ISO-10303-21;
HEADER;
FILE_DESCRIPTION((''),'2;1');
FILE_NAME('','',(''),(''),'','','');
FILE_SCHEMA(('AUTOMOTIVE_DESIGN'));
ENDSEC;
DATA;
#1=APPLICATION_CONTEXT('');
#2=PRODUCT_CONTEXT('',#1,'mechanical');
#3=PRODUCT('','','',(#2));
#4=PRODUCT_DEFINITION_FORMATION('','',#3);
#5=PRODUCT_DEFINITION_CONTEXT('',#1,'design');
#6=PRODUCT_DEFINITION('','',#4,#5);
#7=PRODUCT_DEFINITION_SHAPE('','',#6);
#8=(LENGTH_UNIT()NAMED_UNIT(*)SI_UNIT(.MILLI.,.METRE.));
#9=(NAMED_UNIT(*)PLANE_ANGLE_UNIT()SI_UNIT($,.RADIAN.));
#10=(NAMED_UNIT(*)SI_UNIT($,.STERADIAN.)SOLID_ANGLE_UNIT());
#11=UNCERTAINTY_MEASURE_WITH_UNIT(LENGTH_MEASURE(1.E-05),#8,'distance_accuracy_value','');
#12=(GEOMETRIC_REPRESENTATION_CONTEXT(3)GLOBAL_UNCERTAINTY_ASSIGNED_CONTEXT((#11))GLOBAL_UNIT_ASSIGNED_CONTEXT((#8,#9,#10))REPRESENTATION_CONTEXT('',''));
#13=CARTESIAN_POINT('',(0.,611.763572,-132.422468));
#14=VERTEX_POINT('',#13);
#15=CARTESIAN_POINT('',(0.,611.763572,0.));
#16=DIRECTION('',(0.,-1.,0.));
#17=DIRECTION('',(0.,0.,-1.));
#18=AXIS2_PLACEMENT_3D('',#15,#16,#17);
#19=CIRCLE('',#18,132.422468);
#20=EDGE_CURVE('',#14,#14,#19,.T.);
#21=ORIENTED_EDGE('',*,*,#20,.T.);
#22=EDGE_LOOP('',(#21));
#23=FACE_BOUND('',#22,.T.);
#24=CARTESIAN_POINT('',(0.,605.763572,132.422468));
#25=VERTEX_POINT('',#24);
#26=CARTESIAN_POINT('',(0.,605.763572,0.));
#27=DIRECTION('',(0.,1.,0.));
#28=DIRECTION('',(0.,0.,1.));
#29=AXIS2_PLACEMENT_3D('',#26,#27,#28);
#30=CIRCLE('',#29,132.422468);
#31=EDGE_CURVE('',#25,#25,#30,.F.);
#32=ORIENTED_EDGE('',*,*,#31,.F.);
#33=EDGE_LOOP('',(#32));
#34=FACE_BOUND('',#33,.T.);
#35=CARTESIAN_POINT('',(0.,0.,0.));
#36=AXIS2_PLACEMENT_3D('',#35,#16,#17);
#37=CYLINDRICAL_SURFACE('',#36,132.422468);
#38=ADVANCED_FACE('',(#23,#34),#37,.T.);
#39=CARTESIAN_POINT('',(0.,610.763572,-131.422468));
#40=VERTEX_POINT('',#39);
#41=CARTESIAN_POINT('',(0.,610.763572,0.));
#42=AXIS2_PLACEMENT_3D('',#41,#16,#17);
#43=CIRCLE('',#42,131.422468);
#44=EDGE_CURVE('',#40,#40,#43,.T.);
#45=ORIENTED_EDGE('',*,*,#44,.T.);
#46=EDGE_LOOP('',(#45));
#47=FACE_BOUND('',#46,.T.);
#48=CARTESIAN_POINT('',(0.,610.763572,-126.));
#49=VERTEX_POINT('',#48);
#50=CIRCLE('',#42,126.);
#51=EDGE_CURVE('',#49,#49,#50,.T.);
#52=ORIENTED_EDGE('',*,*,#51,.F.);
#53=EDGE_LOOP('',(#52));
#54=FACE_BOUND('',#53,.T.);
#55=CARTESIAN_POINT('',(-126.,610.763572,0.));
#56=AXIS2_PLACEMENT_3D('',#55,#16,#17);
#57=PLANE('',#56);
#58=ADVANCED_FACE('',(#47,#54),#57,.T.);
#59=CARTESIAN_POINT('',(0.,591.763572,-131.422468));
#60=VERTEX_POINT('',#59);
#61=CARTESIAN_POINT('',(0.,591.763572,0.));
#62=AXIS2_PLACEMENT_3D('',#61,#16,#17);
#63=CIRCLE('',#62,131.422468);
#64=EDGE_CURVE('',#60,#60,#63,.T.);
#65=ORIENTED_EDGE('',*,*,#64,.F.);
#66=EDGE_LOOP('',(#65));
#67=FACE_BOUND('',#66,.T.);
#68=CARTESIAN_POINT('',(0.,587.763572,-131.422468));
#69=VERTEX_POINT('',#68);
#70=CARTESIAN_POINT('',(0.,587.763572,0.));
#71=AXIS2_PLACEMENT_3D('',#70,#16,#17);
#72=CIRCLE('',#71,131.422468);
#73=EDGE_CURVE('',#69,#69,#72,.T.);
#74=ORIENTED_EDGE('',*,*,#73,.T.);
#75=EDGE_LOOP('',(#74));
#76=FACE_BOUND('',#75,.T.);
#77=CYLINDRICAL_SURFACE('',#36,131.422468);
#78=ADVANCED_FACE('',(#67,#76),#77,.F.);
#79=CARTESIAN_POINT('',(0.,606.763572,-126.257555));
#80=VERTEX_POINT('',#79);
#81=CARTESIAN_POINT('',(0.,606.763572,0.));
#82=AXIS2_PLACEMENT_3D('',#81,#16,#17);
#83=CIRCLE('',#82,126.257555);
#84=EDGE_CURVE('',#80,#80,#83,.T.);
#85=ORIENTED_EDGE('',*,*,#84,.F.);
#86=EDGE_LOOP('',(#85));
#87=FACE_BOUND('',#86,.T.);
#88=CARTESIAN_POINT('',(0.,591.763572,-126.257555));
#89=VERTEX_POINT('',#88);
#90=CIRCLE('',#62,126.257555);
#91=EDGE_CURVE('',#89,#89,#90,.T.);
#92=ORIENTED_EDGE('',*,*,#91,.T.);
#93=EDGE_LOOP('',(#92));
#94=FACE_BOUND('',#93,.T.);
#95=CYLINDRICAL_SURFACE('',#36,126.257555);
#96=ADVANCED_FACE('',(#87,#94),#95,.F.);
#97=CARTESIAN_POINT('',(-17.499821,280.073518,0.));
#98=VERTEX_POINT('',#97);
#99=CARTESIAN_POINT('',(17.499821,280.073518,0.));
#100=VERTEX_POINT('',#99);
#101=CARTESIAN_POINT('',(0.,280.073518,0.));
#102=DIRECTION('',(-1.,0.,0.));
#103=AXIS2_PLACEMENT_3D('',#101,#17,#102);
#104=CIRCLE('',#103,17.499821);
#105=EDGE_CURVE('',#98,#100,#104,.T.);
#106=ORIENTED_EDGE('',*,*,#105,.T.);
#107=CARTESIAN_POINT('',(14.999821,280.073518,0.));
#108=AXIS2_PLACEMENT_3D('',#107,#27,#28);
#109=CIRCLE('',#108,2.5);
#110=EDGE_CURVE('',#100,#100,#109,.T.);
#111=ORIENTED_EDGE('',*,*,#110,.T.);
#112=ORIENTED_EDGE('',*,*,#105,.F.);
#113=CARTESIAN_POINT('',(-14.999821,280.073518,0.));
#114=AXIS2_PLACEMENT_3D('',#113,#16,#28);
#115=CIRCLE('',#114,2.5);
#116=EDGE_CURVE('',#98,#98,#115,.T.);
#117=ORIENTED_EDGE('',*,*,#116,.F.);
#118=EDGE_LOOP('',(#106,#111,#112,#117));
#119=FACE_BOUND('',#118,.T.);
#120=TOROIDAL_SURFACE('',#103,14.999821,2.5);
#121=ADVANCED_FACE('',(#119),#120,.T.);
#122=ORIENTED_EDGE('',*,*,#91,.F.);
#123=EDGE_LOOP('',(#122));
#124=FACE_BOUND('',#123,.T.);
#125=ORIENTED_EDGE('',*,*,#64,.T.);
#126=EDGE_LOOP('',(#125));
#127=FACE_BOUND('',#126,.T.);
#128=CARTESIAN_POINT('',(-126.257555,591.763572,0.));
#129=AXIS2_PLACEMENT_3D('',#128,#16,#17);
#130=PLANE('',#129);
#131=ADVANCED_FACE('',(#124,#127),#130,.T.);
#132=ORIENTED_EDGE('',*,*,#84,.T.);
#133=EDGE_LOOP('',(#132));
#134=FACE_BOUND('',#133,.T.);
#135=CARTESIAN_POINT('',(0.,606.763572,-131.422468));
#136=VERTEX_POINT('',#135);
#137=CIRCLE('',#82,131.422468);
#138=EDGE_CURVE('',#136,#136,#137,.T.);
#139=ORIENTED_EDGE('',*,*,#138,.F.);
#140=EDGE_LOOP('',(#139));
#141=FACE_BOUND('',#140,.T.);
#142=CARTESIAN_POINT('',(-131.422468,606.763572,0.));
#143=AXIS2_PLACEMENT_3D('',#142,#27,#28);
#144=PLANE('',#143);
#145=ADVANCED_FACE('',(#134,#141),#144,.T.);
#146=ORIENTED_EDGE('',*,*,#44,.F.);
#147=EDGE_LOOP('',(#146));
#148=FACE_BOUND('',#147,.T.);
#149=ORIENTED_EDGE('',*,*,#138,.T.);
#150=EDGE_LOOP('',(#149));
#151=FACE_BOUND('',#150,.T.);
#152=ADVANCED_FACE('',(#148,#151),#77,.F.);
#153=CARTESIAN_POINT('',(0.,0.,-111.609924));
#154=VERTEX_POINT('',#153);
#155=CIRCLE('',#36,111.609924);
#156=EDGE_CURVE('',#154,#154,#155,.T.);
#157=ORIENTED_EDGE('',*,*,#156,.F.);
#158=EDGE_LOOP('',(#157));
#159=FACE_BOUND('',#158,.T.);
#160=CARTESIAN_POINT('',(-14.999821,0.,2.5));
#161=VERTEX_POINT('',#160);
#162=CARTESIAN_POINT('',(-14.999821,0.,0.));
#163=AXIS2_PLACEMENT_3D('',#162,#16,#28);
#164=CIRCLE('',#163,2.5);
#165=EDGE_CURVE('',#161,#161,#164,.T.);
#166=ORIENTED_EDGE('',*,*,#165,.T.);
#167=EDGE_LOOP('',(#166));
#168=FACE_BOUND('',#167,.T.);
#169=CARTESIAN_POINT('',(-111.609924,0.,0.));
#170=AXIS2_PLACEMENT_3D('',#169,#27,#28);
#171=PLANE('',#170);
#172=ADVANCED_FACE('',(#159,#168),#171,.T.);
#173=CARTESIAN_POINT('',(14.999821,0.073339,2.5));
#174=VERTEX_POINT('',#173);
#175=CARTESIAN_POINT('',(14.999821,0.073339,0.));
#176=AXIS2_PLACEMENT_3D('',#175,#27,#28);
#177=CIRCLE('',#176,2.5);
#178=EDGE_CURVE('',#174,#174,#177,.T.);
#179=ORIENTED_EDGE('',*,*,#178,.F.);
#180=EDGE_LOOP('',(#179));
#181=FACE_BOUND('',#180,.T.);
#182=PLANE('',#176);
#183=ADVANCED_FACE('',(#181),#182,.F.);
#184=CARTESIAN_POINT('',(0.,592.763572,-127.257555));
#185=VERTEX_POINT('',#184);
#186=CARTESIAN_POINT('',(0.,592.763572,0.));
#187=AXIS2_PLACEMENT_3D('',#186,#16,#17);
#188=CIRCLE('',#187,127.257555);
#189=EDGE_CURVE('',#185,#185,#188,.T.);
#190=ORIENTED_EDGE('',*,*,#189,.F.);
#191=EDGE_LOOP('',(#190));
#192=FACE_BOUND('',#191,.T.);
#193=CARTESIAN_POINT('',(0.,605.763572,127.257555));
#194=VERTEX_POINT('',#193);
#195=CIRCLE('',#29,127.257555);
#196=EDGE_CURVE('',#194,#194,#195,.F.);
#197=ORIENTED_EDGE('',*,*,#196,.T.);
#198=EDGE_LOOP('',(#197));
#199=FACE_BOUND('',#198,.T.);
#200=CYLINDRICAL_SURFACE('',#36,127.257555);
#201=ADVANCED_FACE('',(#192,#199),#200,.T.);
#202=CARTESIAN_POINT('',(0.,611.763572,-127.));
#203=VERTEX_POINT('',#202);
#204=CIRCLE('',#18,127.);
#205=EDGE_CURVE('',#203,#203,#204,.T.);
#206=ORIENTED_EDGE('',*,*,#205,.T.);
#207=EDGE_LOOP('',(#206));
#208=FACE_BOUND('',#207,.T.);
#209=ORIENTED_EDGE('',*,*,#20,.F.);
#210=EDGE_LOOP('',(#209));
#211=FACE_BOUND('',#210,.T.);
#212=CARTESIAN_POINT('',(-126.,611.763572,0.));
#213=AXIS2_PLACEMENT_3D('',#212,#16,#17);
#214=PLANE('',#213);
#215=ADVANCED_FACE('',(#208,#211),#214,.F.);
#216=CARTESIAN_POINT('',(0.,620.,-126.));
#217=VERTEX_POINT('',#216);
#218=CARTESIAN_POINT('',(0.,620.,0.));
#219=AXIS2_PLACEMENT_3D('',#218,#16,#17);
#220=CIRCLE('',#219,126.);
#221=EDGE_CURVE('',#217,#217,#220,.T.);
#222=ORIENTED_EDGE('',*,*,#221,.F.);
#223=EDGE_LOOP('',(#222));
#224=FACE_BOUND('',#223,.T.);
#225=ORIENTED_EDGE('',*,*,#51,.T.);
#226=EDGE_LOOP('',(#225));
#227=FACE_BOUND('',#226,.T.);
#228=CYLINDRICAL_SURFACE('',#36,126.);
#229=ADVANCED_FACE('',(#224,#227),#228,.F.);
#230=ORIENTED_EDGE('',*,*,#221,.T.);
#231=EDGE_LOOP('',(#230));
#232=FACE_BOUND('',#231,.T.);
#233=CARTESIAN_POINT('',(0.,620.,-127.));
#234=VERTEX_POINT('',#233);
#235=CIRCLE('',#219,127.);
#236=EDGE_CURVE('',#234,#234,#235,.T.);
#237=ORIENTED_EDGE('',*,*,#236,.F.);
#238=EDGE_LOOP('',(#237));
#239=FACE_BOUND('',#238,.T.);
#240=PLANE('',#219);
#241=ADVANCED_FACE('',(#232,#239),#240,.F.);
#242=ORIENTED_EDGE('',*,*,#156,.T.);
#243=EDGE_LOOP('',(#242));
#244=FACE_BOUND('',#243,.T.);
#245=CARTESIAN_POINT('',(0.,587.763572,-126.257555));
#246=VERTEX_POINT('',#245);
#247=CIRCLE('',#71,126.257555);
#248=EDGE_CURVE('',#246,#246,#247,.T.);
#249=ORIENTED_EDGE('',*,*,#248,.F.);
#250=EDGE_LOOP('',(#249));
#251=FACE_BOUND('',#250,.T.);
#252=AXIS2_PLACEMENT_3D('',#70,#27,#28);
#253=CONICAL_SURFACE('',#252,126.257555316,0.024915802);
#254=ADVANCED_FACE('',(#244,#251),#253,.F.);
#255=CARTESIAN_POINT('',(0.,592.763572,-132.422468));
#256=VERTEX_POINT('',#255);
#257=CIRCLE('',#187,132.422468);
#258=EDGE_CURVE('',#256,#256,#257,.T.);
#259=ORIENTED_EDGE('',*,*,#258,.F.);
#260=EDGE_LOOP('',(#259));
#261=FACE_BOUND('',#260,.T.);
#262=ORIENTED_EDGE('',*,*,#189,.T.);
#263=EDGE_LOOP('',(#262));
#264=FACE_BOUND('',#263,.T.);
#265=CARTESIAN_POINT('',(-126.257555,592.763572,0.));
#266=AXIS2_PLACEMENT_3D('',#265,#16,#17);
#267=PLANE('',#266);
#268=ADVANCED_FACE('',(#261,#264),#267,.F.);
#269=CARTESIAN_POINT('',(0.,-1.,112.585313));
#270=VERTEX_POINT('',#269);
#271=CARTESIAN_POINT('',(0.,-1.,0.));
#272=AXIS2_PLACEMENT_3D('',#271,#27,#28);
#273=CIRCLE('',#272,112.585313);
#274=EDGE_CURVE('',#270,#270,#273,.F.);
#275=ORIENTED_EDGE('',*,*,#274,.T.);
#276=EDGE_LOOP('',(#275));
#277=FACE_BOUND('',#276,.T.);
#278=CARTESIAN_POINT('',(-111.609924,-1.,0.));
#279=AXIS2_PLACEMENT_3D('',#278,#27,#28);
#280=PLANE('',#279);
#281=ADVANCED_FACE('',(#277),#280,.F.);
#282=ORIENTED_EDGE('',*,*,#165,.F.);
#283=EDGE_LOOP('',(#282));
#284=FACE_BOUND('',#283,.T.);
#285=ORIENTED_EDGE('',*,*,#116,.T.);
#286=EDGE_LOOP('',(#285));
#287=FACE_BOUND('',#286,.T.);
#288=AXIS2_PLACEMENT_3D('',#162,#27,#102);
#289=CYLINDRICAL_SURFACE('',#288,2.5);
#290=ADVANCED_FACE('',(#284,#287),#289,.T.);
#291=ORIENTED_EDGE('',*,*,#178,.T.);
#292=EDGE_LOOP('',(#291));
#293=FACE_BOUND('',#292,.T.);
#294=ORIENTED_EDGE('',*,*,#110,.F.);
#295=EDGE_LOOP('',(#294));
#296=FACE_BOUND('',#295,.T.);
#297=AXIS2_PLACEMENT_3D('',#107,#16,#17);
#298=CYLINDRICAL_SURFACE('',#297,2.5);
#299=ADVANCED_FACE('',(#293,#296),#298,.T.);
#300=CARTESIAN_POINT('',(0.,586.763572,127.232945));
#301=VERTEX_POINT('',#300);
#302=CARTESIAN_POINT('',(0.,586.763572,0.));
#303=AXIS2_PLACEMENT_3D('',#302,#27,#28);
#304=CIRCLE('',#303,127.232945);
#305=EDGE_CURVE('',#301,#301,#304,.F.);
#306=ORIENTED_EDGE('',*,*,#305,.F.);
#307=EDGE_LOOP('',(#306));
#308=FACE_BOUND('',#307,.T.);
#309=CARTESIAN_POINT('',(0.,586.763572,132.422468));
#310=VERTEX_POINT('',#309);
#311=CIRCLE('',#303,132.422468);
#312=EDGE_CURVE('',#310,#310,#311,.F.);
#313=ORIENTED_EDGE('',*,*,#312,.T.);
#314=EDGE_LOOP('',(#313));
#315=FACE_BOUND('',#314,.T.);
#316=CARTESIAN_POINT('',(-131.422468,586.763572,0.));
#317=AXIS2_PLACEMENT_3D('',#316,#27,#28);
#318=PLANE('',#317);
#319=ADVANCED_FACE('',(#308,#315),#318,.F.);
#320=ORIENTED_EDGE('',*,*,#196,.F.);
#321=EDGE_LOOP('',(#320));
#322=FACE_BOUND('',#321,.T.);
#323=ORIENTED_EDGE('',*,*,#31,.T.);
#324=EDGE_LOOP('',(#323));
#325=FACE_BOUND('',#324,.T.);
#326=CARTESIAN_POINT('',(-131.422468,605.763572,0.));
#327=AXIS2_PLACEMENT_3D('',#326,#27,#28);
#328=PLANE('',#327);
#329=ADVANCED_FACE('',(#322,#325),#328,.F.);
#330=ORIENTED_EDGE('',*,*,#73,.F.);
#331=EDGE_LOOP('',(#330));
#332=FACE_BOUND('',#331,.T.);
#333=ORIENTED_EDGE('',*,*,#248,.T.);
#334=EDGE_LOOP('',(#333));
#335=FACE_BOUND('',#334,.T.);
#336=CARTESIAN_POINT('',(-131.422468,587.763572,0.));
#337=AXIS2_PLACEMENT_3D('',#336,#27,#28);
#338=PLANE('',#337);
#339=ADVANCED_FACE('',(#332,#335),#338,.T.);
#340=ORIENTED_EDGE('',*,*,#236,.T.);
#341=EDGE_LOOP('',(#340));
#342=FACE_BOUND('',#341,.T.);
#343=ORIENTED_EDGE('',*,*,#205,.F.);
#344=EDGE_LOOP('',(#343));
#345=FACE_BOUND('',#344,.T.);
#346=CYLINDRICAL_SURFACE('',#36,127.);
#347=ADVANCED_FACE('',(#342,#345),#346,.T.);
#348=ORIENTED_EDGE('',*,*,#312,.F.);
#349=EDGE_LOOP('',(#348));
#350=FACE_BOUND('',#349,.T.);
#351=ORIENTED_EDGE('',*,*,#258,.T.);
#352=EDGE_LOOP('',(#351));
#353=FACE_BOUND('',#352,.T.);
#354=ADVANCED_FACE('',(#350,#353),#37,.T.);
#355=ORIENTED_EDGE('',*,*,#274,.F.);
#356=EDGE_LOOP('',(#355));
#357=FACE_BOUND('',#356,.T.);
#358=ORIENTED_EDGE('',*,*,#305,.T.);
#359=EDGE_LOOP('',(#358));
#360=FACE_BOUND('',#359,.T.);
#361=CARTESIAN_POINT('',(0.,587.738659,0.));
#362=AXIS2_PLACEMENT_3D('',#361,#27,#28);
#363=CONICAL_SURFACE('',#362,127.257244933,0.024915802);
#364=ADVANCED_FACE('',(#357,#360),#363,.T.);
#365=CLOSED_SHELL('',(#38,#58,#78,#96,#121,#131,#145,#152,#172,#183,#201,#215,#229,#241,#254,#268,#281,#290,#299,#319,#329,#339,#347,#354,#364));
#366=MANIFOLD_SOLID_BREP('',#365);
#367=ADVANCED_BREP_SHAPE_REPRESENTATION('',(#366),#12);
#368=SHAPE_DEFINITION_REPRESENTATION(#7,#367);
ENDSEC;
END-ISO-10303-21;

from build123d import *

# Parameters (mm, degrees)
SHELL5_T         = 1
SWEEP1_PROFILE_R = 2.5


with BuildPart() as part:
    # Sketch1 → Revolve1 (revolve)
    with BuildSketch(Plane.XY, mode=Mode.PRIVATE) as revolve1_sk:
        Polygon((0, 620), (-126, 620), (-126, 610.763571771), (-131.422468228, 610.763571771), (-131.422468228, 606.763571771), (-126.257555316, 606.763571771), (-126.257555316, 591.763571771), (-131.422468228, 591.763571771), (-131.422468228, 587.763571771), (-126.257555316, 587.763571771), (-111.609923626, 0), (0, 0), align=None)
    revolve(revolve1_sk.sketch.rotate(Axis((0, 0, 0), (0, 1, 0)), 270), axis=Axis((0, 0, 0), (0, 1, 0)))

    # Shell5
    shell5_openings = [part.faces().sort_by_distance(p)[0] for p in [
        (0, 620, 0),
    ]]
    offset(amount=SHELL5_T, openings=shell5_openings, kind=Kind.INTERSECTION)

    # Sweep1: sweep along a path in Sketch4
    with BuildLine(Plane(origin=(0, 0, 0), x_dir=(1, 0, 0), z_dir=(0, 0, -1))) as sweep1_path:
        Line((-14.999820713, 0), (-14.999820713, -280.07351805))
        ThreePointArc((-14.999820713, -280.07351805), (0, -295.073338764), (14.999820713, -280.07351805))
        Line((14.999820713, -280.07351805), (14.999820713, -0.073338764))
    # Sweep1 profile (on start of the path) → Sweep1 (sweep)
    with BuildSketch(Plane(origin=(-14.999820713, 0, 0), x_dir=(1, 0, 0), z_dir=(0, 1, 0))):
        Circle(SWEEP1_PROFILE_R)
    sweep(path=sweep1_path.line)


solid = part.part
